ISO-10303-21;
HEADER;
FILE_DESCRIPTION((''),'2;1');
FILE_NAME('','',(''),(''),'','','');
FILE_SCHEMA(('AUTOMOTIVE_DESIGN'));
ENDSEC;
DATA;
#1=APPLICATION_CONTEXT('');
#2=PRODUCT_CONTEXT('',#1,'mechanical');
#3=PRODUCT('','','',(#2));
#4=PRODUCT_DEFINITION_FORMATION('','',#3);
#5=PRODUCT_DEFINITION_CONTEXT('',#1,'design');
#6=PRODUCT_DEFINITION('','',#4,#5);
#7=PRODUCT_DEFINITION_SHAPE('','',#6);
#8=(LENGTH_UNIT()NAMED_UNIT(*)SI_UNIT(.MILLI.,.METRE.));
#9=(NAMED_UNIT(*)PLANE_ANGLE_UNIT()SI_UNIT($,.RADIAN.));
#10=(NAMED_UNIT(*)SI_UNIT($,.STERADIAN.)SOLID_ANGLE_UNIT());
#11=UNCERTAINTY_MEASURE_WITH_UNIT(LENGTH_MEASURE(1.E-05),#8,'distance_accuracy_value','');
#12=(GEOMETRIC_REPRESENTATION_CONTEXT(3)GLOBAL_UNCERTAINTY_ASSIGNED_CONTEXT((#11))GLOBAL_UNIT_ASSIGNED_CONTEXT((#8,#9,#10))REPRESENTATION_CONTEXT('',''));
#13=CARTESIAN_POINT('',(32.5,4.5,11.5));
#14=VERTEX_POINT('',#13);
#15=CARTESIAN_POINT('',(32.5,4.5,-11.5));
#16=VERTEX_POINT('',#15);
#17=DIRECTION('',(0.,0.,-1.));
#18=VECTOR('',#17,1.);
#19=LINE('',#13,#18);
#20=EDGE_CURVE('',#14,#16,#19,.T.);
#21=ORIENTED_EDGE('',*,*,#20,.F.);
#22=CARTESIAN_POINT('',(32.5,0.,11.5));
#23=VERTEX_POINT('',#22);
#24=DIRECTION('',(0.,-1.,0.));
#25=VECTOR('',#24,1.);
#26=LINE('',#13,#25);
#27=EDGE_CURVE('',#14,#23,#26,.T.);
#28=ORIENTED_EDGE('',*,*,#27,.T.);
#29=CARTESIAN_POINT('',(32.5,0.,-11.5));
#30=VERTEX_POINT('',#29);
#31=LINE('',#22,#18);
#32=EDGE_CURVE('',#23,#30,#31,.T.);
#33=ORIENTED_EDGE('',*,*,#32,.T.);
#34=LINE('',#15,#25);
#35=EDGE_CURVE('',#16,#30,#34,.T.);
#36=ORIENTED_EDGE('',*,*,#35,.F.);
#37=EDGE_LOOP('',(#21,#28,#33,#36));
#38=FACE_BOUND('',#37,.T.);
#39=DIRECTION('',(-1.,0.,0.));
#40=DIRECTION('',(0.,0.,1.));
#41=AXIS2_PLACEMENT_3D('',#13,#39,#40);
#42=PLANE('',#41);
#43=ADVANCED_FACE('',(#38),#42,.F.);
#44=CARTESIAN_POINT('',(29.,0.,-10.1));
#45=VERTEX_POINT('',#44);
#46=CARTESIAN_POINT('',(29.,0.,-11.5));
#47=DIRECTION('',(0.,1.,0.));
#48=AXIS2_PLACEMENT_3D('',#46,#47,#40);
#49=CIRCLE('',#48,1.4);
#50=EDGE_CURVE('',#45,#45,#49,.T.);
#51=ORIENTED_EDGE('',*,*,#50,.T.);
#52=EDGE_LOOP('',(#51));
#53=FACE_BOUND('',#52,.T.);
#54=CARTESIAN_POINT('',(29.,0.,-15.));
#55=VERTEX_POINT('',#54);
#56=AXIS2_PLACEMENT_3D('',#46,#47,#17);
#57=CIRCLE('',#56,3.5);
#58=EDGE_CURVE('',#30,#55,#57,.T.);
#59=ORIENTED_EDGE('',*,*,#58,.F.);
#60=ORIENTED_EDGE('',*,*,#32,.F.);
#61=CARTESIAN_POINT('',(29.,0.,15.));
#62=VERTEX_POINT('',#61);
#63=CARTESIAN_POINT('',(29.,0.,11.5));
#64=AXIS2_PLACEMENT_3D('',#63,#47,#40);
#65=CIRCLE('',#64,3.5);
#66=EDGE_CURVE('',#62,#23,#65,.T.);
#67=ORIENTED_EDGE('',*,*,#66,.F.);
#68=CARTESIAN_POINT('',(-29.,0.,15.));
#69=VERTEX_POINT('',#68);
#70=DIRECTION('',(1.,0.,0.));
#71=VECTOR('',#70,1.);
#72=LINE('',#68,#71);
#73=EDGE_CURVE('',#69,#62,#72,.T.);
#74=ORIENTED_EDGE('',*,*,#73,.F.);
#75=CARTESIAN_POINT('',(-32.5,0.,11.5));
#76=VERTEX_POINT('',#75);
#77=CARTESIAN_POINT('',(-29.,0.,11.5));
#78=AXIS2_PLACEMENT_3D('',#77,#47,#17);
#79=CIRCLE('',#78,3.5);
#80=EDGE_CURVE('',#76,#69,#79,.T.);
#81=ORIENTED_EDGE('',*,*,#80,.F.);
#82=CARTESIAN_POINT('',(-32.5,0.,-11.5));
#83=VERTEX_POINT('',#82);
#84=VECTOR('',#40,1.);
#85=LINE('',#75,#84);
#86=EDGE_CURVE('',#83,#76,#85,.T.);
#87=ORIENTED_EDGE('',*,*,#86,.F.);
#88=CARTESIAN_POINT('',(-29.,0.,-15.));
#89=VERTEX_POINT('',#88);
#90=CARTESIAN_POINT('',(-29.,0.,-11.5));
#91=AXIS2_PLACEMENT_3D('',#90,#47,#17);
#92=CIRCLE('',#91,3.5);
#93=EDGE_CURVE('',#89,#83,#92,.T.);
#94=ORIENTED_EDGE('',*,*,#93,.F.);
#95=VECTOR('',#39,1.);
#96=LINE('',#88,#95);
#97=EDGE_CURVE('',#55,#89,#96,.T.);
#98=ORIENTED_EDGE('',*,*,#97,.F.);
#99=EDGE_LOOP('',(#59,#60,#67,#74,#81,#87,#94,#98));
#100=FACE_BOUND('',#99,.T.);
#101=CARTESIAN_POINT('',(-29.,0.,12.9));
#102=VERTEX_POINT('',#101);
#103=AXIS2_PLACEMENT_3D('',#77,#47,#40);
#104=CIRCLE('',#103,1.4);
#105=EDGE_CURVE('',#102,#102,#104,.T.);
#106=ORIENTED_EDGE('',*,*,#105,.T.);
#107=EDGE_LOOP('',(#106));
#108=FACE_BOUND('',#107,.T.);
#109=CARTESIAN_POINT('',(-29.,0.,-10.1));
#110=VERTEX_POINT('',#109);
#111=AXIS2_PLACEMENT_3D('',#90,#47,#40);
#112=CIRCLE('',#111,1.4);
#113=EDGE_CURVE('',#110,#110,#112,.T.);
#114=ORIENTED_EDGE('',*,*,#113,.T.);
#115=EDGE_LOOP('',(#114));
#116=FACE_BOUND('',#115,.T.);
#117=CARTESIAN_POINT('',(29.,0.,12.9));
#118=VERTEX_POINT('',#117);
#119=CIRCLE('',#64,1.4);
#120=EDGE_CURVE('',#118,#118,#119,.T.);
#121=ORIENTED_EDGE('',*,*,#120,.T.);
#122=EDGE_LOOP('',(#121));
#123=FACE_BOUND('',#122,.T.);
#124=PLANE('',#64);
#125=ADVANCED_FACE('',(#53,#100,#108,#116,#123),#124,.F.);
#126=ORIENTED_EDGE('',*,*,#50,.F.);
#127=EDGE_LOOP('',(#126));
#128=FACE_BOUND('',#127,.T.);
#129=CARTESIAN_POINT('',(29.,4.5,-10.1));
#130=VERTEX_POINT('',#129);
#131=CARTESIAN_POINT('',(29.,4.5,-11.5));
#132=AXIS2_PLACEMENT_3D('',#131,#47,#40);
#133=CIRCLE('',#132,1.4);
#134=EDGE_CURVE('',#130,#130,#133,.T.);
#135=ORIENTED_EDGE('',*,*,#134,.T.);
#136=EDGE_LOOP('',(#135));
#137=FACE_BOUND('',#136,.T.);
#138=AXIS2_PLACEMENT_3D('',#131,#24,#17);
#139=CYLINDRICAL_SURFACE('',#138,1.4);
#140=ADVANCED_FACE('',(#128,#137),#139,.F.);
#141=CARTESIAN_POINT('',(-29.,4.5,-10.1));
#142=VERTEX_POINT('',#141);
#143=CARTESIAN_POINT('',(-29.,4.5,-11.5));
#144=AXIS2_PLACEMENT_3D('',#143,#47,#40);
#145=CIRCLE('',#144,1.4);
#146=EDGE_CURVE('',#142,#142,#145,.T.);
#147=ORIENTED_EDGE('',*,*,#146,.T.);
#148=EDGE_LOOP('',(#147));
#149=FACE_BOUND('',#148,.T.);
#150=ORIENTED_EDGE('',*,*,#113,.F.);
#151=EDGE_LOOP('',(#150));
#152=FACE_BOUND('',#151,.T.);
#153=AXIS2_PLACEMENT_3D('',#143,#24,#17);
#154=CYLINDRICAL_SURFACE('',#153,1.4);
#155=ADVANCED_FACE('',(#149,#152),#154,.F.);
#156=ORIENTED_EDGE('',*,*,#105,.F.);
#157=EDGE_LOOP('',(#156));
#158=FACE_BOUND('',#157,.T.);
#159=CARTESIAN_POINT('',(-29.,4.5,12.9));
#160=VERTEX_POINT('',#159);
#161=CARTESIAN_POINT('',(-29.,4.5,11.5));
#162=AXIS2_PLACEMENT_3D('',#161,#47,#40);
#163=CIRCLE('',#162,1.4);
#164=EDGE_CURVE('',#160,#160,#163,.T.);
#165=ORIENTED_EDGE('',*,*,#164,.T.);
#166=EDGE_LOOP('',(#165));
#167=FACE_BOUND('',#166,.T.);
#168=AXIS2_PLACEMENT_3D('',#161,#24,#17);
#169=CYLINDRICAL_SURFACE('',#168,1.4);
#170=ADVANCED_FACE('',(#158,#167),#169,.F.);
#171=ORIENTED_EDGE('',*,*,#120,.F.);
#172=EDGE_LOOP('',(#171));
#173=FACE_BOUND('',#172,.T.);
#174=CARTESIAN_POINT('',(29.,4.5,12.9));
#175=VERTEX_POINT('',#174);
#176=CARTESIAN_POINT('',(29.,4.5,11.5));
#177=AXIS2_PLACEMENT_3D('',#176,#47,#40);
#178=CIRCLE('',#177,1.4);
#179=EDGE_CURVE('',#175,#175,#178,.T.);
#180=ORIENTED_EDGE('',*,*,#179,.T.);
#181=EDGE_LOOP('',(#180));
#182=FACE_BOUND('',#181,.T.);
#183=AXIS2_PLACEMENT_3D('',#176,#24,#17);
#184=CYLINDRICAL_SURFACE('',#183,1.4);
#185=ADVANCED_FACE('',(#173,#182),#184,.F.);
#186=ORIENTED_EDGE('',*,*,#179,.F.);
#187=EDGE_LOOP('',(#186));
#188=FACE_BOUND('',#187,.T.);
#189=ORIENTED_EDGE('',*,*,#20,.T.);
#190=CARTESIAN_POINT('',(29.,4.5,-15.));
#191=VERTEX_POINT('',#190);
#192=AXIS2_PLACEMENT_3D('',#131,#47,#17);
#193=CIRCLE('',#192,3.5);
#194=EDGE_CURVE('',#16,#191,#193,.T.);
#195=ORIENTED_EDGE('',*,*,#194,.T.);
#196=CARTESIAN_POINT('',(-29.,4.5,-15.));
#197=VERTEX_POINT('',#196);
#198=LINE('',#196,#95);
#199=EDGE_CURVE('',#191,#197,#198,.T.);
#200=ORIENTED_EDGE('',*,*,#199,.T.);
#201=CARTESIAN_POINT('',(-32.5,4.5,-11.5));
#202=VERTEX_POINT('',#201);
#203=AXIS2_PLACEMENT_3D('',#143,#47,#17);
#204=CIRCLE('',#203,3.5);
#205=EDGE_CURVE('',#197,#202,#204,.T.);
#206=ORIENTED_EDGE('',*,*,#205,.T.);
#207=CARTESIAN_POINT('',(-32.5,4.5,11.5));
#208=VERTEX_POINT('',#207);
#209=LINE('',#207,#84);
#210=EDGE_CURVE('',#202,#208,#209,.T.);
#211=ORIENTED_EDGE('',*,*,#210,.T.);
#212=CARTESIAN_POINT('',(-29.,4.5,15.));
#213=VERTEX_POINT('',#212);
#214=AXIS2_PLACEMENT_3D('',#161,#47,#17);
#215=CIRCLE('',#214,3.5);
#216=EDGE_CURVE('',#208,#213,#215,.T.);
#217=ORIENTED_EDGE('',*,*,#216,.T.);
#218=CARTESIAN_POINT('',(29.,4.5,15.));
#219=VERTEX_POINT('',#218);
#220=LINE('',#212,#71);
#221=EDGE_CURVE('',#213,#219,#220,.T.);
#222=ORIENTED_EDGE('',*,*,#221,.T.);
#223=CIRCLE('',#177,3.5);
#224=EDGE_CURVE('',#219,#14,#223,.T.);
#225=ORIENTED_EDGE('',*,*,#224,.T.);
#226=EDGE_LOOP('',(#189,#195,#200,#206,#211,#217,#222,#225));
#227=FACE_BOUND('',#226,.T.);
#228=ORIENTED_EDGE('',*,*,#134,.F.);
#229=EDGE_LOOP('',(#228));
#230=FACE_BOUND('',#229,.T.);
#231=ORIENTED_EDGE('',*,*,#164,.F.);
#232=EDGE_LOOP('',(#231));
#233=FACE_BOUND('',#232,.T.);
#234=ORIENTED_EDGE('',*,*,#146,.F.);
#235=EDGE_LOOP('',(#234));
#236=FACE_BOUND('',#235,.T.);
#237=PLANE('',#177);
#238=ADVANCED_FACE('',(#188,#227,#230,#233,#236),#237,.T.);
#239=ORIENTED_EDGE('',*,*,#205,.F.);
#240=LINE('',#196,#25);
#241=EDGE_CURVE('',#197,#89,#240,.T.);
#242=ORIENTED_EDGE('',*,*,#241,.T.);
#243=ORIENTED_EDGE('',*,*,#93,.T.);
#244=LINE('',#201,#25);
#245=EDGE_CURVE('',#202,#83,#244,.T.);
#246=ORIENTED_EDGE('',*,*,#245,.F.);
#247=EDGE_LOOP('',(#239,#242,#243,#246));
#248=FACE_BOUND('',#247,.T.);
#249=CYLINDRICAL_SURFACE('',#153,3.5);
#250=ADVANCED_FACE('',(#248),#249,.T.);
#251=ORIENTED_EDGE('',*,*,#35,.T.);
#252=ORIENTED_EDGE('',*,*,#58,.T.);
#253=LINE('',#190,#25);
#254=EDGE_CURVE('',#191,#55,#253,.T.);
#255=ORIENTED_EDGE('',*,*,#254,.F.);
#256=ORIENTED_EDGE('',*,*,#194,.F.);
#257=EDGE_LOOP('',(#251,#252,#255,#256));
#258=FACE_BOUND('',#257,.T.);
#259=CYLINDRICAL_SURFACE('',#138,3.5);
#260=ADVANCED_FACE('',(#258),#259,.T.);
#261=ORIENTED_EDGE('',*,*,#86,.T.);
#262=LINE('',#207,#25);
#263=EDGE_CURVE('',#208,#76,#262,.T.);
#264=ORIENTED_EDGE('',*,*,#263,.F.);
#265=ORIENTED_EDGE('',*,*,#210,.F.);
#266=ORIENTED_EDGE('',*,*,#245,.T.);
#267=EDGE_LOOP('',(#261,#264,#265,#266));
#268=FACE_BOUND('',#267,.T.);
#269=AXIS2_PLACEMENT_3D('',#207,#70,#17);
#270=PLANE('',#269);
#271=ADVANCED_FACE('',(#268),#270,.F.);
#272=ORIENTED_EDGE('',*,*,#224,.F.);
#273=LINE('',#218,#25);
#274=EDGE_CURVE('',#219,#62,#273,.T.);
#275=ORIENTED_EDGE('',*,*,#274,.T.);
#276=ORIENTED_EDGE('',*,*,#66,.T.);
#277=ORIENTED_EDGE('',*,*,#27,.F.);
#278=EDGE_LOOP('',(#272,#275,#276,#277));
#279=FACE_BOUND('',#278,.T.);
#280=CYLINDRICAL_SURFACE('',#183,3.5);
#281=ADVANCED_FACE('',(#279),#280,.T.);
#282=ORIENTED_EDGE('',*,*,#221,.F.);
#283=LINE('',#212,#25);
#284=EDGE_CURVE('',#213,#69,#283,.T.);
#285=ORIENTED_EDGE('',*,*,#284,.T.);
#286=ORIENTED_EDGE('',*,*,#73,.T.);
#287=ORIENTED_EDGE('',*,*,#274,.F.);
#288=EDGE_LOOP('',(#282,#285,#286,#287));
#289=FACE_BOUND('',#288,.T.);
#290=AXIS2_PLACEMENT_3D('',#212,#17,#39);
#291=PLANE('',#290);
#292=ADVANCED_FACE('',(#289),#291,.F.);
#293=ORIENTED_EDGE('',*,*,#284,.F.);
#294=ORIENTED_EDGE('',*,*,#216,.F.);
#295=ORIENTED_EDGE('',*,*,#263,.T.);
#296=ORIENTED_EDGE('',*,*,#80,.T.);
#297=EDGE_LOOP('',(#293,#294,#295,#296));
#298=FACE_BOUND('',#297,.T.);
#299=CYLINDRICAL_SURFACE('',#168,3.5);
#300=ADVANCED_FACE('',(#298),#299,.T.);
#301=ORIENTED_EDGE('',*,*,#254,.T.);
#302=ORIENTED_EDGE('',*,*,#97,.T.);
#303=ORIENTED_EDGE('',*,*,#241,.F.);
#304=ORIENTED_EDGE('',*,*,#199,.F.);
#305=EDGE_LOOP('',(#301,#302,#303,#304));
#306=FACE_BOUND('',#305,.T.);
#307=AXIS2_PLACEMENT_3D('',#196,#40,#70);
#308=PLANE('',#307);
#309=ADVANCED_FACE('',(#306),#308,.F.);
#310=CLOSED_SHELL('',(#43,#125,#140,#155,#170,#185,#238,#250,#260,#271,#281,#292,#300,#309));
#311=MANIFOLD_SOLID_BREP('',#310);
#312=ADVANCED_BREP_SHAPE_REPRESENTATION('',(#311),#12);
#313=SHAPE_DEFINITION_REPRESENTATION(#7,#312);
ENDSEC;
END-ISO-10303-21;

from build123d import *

# Parameters (mm, degrees)
SKETCH_1_R      = 1.4
EXTRUDE_1_DEPTH = 4.5


with BuildPart() as part:
    # 草图1 → 凸台-拉伸1 (new body)
    with BuildSketch(Plane(origin=(0, 0, 0), x_dir=(1, 0, 0), z_dir=(0, 1, 0))):
        with BuildLine():
            Line((-29, -15), (29, -15))
            ThreePointArc((29, -15), (31.474873734, -13.974873734), (32.5, -11.5))
            Line((32.5, -11.5), (32.5, 11.5))
            ThreePointArc((32.5, 11.5), (31.474873734, 13.974873734), (29, 15))
            Line((29, 15), (-29, 15))
            ThreePointArc((-29, 15), (-31.474873734, 13.974873734), (-32.5, 11.5))
            Line((-32.5, 11.5), (-32.5, -11.5))
            ThreePointArc((-32.5, -11.5), (-31.474873734, -13.974873734), (-29, -15))
        make_face()
        with Locations(Location((-29, -11.5, 0), (0, 0, 270))):
            Circle(SKETCH_1_R, mode=Mode.SUBTRACT)
        with Locations(Location((-29, 11.5, 0), (0, 0, 270))):
            Circle(SKETCH_1_R, mode=Mode.SUBTRACT)
        with Locations(Location((29, 11.5, 0), (0, 0, 270))):
            Circle(SKETCH_1_R, mode=Mode.SUBTRACT)
        with Locations(Location((29, -11.5, 0), (0, 0, 270))):
            Circle(SKETCH_1_R, mode=Mode.SUBTRACT)
    extrude(amount=EXTRUDE_1_DEPTH)


solid = part.part
